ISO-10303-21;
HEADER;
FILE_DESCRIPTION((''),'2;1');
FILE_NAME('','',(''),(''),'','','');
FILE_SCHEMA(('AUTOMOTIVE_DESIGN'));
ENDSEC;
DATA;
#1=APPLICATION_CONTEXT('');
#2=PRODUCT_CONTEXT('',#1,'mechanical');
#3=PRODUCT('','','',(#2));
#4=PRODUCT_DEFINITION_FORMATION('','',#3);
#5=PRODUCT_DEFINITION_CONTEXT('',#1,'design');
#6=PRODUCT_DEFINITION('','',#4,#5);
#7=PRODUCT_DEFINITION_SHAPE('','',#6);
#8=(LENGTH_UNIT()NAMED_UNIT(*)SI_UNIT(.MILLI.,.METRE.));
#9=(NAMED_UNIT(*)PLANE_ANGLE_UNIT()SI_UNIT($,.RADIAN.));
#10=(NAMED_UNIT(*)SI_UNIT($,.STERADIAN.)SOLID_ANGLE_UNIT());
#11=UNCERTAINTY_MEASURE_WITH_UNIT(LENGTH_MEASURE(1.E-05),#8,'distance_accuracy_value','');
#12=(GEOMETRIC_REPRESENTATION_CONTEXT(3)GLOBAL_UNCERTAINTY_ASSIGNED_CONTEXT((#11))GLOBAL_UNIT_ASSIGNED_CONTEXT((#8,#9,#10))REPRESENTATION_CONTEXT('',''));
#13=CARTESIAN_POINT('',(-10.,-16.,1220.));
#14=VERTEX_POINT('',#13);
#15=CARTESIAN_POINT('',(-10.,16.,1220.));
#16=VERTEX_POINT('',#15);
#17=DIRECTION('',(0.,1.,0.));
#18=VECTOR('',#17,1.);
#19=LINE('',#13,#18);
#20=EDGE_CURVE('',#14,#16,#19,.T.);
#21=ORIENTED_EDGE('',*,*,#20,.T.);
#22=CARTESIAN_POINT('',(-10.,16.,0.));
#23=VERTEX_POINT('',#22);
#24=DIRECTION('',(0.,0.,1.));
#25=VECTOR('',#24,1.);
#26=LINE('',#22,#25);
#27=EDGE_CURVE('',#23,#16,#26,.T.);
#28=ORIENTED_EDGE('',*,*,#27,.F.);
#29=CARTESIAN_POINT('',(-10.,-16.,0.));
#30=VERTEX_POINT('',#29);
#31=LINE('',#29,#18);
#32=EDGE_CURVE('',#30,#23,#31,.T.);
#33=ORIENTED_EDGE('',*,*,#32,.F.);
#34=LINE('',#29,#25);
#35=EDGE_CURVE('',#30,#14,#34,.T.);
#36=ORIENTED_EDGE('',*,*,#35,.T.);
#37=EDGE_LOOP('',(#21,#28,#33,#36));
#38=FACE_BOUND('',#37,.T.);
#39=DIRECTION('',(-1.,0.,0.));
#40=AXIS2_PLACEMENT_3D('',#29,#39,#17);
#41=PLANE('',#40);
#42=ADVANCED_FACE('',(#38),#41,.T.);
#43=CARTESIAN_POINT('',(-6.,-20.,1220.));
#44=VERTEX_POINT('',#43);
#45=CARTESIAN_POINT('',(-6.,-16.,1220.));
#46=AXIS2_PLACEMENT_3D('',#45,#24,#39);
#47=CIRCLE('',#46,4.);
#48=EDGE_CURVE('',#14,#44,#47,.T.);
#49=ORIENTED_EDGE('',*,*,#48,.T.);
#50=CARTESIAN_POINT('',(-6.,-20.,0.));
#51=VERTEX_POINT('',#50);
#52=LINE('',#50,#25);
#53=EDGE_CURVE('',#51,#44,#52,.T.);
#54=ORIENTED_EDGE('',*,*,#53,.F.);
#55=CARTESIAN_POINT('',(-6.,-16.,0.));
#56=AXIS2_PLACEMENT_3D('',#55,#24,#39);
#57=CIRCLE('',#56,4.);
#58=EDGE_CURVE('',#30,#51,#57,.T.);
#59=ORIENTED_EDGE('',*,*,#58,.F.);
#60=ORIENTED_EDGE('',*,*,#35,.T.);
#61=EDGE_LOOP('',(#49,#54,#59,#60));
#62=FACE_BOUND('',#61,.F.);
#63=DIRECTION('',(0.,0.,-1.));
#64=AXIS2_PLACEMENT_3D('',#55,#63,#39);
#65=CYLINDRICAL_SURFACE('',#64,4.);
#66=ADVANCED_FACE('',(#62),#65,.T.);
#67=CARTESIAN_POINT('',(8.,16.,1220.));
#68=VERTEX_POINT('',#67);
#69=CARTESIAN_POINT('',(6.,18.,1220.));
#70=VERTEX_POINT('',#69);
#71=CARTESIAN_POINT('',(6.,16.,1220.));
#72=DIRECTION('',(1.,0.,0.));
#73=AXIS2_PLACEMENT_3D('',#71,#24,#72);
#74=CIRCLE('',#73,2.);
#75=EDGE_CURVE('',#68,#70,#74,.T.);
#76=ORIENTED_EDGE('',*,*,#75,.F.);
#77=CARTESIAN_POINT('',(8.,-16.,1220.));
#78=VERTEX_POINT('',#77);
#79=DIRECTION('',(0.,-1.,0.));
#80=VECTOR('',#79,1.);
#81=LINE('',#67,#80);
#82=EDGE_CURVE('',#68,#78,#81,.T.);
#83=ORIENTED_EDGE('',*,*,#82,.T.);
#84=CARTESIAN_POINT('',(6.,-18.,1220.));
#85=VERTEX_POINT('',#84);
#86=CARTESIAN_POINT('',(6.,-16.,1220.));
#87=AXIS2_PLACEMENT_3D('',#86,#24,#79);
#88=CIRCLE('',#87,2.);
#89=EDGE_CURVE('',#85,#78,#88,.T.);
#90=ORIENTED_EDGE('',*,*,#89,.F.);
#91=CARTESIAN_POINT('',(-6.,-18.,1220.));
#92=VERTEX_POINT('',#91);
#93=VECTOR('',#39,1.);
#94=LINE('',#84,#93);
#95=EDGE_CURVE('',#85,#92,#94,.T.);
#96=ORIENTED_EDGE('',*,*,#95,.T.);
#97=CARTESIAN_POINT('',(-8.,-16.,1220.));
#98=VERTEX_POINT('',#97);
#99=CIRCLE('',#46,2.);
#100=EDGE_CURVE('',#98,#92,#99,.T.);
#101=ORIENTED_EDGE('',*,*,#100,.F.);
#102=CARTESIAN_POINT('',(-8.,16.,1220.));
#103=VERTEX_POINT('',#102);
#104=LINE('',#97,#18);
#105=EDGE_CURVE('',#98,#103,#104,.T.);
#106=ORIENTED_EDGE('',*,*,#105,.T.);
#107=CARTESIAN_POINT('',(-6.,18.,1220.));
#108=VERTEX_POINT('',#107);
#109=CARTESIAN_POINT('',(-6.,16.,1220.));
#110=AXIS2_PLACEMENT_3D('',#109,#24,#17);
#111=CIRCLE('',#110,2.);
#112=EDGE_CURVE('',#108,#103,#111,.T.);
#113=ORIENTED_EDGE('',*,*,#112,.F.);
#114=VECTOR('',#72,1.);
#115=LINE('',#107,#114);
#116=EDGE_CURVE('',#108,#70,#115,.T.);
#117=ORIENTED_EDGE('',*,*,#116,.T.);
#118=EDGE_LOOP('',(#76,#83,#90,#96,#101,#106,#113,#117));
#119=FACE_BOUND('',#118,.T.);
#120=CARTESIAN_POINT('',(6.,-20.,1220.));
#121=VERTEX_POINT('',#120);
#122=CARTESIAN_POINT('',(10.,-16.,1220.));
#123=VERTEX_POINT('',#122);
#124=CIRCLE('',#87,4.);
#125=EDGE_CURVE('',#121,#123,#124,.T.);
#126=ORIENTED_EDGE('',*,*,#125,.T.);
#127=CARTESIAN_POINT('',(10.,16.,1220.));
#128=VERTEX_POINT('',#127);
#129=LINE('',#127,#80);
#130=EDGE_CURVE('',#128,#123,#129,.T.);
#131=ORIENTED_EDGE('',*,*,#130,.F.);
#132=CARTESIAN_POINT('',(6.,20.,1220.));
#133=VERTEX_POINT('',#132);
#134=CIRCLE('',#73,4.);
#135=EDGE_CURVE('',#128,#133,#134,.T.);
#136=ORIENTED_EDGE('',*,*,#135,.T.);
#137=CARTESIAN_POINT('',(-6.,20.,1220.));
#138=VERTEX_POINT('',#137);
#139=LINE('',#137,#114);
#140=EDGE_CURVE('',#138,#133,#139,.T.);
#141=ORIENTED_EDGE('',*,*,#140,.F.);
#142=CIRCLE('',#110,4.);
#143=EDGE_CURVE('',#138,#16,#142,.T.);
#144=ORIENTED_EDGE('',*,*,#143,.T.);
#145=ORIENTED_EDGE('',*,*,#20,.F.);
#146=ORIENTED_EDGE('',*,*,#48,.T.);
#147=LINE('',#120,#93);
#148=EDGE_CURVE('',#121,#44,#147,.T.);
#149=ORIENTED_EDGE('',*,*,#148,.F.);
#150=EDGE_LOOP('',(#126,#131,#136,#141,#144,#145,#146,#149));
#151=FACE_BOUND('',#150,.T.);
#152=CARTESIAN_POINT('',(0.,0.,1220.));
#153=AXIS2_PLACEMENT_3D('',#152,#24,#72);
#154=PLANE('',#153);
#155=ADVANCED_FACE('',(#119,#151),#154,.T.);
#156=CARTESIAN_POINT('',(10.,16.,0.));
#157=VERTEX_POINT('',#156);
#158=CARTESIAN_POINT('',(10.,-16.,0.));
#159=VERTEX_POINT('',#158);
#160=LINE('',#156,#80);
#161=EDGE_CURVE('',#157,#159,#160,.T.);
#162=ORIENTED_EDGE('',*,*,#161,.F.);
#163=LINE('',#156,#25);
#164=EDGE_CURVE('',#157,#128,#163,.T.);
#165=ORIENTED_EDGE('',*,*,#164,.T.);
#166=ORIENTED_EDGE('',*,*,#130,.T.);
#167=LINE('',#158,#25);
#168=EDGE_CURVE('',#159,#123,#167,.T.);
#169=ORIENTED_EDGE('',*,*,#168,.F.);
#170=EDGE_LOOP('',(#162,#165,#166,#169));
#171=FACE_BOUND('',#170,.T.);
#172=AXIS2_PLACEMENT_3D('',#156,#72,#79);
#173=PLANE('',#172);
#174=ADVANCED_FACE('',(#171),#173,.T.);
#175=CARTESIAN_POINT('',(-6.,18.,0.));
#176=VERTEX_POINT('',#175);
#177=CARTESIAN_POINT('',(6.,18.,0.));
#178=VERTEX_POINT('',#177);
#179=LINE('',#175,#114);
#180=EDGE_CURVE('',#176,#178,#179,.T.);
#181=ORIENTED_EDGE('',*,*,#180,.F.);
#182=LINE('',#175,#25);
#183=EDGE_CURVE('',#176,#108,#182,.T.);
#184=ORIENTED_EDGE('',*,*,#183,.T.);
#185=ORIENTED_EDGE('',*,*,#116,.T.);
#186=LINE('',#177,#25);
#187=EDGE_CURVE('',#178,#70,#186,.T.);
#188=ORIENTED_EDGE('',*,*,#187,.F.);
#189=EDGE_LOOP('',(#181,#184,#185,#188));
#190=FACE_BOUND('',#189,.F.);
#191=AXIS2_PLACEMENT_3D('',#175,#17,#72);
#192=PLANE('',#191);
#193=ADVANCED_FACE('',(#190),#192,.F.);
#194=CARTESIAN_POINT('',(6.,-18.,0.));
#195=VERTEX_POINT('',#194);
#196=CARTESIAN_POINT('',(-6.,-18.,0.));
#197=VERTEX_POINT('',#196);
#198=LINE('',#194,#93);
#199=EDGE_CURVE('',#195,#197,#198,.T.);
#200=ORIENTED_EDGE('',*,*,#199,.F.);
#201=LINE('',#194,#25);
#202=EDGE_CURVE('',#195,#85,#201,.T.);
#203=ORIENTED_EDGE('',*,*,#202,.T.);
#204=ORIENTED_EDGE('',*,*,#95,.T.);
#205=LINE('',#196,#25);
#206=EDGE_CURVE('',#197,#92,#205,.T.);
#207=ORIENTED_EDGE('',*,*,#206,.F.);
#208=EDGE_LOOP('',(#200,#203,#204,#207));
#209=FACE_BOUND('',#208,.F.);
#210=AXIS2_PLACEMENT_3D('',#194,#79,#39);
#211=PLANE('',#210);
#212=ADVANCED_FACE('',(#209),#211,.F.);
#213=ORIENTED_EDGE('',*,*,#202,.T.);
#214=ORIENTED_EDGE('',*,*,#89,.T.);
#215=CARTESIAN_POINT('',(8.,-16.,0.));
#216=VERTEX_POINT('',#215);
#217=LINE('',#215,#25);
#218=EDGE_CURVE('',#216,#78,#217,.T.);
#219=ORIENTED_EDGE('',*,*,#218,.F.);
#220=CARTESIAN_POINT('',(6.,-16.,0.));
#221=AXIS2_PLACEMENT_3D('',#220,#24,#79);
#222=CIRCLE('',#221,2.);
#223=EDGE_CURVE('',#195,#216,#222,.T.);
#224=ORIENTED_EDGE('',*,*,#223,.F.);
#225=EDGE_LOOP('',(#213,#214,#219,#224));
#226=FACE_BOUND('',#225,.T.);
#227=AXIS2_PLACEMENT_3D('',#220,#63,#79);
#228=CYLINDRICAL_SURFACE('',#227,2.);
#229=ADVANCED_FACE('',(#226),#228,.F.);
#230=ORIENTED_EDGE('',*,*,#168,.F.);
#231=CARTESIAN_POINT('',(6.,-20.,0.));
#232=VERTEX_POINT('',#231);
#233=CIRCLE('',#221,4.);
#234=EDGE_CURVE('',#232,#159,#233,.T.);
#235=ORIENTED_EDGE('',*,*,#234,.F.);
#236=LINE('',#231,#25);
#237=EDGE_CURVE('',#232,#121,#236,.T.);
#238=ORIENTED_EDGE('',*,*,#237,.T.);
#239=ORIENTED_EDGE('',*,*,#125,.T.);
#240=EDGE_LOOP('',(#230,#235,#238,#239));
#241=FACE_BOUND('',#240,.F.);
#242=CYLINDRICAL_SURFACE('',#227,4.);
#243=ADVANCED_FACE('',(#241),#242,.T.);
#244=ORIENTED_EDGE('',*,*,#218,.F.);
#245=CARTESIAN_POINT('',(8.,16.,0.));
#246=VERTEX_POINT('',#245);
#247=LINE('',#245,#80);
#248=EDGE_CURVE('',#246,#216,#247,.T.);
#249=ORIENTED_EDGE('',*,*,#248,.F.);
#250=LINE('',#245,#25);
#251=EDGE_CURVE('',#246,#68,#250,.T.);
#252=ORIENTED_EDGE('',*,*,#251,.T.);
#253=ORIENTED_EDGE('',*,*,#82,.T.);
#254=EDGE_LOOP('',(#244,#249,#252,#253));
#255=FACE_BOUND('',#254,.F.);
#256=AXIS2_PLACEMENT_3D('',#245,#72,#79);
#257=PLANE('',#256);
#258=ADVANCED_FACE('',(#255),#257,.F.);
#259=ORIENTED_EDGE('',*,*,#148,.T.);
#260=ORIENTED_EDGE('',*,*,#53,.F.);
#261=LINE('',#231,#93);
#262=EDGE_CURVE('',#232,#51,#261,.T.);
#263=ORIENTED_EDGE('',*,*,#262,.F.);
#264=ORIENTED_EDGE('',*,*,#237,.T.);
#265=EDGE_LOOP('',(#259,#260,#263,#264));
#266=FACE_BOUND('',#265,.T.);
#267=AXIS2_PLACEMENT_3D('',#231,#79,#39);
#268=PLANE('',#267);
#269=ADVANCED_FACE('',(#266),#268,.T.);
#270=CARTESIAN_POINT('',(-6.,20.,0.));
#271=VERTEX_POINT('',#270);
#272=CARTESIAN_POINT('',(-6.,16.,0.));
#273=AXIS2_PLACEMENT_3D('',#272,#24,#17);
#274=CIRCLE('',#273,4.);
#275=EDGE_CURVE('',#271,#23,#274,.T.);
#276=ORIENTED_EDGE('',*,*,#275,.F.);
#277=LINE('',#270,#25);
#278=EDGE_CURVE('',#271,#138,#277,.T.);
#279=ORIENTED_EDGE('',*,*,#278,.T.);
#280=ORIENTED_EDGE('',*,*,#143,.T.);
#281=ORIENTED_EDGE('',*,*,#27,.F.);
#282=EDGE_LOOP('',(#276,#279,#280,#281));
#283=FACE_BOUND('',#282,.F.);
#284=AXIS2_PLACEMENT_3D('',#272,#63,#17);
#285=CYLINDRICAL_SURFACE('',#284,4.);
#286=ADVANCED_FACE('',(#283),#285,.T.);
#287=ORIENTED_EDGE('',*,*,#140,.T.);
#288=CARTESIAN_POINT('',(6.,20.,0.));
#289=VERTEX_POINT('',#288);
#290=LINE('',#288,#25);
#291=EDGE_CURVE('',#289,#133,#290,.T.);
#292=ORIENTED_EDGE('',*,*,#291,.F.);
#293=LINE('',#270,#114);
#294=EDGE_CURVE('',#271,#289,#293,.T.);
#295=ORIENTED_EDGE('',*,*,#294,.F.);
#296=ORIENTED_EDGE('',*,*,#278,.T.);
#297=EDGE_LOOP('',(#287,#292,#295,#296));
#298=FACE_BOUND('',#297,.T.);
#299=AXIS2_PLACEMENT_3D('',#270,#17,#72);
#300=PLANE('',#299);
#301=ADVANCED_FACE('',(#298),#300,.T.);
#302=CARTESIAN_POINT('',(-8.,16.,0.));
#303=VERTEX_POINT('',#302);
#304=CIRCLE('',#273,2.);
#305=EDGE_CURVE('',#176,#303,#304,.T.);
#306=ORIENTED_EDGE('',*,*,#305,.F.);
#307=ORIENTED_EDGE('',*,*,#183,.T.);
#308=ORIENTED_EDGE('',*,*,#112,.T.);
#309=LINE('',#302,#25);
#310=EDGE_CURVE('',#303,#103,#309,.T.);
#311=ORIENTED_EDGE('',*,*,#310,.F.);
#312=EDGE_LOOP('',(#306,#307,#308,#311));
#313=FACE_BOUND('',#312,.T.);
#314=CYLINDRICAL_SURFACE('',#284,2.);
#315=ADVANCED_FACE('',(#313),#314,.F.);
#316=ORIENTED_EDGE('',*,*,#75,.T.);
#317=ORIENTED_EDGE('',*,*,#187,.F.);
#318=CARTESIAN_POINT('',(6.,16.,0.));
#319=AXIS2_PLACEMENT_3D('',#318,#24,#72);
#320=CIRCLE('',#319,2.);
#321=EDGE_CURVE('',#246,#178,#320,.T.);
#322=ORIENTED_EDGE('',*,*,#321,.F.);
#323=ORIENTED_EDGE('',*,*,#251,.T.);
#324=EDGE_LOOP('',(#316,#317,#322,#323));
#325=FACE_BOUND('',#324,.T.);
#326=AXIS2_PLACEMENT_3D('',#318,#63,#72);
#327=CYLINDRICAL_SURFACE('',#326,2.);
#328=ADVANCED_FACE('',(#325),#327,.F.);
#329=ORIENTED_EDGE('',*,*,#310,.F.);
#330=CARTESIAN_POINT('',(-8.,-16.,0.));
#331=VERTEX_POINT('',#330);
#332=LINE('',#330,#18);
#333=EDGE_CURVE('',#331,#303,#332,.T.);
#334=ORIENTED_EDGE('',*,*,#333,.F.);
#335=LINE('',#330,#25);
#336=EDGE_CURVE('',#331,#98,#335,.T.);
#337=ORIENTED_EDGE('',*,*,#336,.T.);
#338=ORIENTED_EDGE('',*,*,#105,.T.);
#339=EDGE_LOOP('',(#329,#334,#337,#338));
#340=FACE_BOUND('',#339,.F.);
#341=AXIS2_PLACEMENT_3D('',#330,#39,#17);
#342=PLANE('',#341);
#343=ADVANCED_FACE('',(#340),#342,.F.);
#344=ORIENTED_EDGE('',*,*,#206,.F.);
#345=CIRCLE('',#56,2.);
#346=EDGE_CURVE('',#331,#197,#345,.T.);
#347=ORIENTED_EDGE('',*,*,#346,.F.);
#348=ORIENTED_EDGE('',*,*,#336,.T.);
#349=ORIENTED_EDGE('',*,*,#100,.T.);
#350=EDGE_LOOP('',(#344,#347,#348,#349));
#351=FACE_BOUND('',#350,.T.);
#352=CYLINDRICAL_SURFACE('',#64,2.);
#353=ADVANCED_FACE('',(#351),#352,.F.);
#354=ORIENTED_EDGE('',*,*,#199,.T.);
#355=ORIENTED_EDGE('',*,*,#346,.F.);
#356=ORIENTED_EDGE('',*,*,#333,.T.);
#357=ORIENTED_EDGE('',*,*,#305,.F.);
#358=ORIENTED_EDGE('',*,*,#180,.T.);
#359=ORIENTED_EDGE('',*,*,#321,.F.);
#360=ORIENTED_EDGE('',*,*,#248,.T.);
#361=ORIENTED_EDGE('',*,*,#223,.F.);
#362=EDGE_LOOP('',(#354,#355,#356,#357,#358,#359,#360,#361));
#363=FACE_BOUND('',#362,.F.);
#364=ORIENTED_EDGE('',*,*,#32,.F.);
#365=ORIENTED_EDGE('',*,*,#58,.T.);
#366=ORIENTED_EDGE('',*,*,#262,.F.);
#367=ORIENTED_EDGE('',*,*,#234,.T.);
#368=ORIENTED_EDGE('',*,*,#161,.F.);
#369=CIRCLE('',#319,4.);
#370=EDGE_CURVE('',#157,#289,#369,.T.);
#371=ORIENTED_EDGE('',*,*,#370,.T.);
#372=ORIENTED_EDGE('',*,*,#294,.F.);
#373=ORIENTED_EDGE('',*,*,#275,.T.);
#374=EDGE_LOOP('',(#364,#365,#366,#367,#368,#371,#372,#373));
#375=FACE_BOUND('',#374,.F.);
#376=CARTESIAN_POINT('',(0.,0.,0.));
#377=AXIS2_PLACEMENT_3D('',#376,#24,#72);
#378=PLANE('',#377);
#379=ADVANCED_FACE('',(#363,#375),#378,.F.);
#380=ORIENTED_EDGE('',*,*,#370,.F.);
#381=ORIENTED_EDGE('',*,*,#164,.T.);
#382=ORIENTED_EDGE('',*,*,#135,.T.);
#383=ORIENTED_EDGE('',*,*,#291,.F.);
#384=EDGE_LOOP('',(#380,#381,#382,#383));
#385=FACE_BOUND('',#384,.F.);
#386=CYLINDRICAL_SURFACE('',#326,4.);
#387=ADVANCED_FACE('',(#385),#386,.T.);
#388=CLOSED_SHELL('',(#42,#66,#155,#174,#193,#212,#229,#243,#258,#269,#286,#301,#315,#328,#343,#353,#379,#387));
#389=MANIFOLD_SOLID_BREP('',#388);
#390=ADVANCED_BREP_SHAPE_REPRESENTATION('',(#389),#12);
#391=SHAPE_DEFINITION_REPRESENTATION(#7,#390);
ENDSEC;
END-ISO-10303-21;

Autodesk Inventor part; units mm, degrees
ref_plane "YZ Plane" through (0, 0, 0) normal (1, 0, 0) x (0, 1, 0)
ref_plane "Start Plane" through (0, 0, 0) normal (0, 0, 1) x (1, 0, 0)
ref_plane "End Plane" through (0, 0, 1220) normal (0, 0, 1) x (1, 0, 0)
sketch "Sketch" plane through (0, 0, 0) normal (0, 0, 1) x (1, 0, 0)
  line L0 (-10, -16) -> (-10, 16)
  line L1 (-6, 20) -> (6, 20)
  line L2 (10, 16) -> (10, -16)
  line L3 (6, -20) -> (-6, -20)
  arc A0 (-10, -16) -> (-6, -20) centre (-6, -16) ccw
  arc A1 (10, 16) -> (6, 20) centre (6, 16) ccw
  arc A2 (-6, 20) -> (-10, 16) centre (-6, 16) ccw
  arc A3 (6, -20) -> (10, -16) centre (6, -16) ccw
  arc A4 (-6, 18) -> (-8, 16) centre (-6, 16) ccw
  line L4 (-6, 18) -> (6, 18)
  arc A5 (8, 16) -> (6, 18) centre (6, 16) ccw
  line L5 (8, 16) -> (8, -16)
  arc A6 (6, -18) -> (8, -16) centre (6, -16) ccw
  line L6 (6, -18) -> (-6, -18)
  arc A7 (-8, -16) -> (-6, -18) centre (-6, -16) ccw
  line L7 (-8, -16) -> (-8, 16)
  line L8 (0, 29.1598) -> (0, -29.1598) construction
  line L9 (-15.1598, 0) -> (15.1598, 0) construction
  dimension "d7" = 4
  dimension "d9" = 20
  dimension "d11" = 40
  dimension "d12" = 2
  dimension "d15" = 10
  dimension "d16" = 20
extrude "Body" add sketch "Sketch" along normal up to surface (1220 mm away) from surface at 0
sketch "Sketch3" plane through (0, 0, 0) normal (0, 0, 1) x (1, 0, 0)
  line L0 (0, 0) -> (10, 0)
ref_plane "Work Plane3" through (0, 0, 0) normal (0, -1, 0) x (1, 0, 0)
sketch "Sketch4" plane through (0, 0, 0) normal (0, -1, 0) x (1, 0, 0)
  line L0 (-2, 0) -> (12, 0) projected
  line L1 (-2, 1220) -> (12, 1220) projected
  dimension "d18" = 1220
equation "\"d7\" = G_IR"
equation "\"d9\" = G_W"
equation "\"d11\" = G_H"
equation "\"d12\" = G_T"
equation "\"d15\" = 0.5 * d9"
equation "\"d16\" = 0.5 * d11"
equation "\"d3\" = G_L"
equation "\"G_W\" = 20"
equation "\"G_H\" = 40"
equation "\"G_T\" = 2"
equation "\"G_IR\" = 4"
equation "\"G_L\" = d18"
equation "\"G_OFFSET_START\" = 0"
equation "\"G_OFFSET_END\" = 0"
properties part number "ISO 4019 - 40x20x2 - 1220" material "Steel, Mild"
